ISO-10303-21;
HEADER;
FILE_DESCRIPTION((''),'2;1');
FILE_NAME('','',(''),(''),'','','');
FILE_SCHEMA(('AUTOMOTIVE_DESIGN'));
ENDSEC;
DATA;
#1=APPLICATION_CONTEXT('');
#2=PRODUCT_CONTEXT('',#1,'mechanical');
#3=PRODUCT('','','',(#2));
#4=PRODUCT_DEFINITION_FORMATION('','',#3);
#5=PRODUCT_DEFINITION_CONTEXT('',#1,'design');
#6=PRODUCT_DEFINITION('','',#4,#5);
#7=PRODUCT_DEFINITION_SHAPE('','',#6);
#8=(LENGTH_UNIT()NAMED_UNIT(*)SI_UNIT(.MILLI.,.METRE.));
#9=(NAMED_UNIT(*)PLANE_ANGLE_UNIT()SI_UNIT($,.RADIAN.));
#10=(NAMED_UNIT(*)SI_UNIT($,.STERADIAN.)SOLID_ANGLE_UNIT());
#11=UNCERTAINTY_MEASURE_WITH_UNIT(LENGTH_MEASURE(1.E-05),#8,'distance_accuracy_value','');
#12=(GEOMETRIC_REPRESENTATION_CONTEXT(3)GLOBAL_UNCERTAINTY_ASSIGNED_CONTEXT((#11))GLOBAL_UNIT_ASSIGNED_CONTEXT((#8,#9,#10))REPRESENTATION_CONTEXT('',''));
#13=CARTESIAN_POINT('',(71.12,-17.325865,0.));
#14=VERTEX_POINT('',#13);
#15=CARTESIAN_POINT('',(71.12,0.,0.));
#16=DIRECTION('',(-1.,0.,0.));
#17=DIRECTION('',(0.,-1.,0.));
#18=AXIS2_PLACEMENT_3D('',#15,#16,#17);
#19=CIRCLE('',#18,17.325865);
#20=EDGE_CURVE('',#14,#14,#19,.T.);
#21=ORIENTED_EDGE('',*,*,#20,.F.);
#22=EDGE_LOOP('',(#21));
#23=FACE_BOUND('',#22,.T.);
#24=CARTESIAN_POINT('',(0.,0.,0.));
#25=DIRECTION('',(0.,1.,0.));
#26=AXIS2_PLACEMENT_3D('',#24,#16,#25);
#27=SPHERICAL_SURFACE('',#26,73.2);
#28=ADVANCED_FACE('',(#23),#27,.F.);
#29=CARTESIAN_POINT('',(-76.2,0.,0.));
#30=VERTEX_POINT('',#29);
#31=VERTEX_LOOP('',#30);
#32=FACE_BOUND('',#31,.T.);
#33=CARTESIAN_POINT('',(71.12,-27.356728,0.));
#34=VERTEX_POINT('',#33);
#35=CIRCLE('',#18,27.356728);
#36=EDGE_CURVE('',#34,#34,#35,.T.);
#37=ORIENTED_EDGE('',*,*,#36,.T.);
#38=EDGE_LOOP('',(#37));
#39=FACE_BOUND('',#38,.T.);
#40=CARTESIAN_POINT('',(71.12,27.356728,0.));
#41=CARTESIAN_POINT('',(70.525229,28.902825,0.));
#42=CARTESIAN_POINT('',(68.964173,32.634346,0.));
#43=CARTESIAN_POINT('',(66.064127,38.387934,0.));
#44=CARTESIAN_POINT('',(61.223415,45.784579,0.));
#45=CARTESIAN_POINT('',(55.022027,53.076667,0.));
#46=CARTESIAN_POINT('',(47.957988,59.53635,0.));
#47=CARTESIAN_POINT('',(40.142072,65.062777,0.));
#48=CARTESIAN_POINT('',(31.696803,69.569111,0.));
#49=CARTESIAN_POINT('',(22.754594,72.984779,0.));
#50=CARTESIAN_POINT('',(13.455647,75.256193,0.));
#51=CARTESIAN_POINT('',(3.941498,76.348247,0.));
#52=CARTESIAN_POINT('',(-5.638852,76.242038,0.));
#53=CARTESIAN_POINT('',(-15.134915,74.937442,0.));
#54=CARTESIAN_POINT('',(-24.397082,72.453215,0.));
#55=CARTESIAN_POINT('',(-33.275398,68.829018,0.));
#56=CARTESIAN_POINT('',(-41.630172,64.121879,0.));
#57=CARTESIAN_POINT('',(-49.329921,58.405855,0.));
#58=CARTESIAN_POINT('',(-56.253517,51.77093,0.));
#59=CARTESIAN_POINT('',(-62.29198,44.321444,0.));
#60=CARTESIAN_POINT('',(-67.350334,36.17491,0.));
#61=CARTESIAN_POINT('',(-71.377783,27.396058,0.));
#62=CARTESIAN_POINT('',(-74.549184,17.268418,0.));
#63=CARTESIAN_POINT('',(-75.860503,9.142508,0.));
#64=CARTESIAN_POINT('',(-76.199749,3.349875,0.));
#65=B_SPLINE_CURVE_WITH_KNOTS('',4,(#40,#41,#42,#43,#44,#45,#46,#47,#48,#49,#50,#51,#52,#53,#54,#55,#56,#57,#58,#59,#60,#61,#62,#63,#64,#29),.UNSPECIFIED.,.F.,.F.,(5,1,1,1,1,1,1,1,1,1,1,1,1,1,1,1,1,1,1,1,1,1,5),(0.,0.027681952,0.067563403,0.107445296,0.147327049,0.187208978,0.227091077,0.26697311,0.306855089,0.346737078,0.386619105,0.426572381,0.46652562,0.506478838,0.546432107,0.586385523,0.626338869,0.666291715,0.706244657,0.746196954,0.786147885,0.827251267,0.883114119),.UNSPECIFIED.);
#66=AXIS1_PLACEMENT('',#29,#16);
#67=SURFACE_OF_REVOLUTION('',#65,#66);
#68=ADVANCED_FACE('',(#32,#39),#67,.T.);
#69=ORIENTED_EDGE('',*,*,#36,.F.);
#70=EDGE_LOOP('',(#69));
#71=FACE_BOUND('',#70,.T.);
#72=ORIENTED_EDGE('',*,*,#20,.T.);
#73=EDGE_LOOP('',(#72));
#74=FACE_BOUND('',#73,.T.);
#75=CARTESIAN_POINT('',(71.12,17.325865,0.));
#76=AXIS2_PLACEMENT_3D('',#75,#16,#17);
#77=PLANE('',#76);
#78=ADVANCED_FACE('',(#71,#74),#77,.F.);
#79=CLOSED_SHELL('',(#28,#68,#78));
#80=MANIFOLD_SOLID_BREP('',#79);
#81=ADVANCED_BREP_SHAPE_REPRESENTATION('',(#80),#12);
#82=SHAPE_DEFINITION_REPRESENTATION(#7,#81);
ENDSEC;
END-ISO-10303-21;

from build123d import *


with BuildPart() as part:
    # Sketch2 → Revolve1 (revolve)
    with BuildSketch(Plane.XY):
        with BuildLine():
            Line((-76.2, 0), (-73.2, 0))
            ThreePointArc((-73.2, 0), (-8.725136102, 72.678139767), (71.12, 17.325865058))
            Line((71.12, 17.325865058), (71.12, 27.356728124))
            add(Edge.make_bspline(
                [(-76.2, 0), (-76.199748736, 3.349875457), (-75.860503333, 9.142507883), (-74.549184229, 17.268418192), (-71.377783379, 27.39605801), (-67.350333811, 36.174910069), (-62.291980166, 44.321444262), (-56.253516569, 51.770929769), (-49.329921218, 58.405855002), (-41.63017181, 64.121878677), (-33.275398401, 68.829017982), (-24.397082242, 72.453215062), (-15.134914643, 74.93744234), (-5.638852494, 76.242037736), (3.941497706, 76.348246976), (13.455646882, 75.256193099), (22.754594075, 72.984779046), (31.696802832, 69.569110906), (40.142071884, 65.062776953), (47.957988362, 59.536349566), (55.022027399, 53.0766672), (61.223414555, 45.78457932), (66.064126989, 38.387933693), (68.964172753, 32.634345536), (70.525228655, 28.902824701), (71.12, 27.356728124)],
                knots=[0, 0, 0, 0, 0, 0.055862852, 0.096966234, 0.136917166, 0.176869463, 0.216822404, 0.25677525, 0.296728596, 0.336682013, 0.376635282, 0.4165885, 0.456541738, 0.496495014, 0.536377042, 0.576259031, 0.616141009, 0.656023042, 0.695905141, 0.73578707, 0.775668823, 0.815550716, 0.855432167, 0.883114119, 0.883114119, 0.883114119, 0.883114119, 0.883114119], degree=4))
        make_face()
    revolve(axis=Axis((-76.2, 0, 0), (1, 0, 0)))


solid = part.part
